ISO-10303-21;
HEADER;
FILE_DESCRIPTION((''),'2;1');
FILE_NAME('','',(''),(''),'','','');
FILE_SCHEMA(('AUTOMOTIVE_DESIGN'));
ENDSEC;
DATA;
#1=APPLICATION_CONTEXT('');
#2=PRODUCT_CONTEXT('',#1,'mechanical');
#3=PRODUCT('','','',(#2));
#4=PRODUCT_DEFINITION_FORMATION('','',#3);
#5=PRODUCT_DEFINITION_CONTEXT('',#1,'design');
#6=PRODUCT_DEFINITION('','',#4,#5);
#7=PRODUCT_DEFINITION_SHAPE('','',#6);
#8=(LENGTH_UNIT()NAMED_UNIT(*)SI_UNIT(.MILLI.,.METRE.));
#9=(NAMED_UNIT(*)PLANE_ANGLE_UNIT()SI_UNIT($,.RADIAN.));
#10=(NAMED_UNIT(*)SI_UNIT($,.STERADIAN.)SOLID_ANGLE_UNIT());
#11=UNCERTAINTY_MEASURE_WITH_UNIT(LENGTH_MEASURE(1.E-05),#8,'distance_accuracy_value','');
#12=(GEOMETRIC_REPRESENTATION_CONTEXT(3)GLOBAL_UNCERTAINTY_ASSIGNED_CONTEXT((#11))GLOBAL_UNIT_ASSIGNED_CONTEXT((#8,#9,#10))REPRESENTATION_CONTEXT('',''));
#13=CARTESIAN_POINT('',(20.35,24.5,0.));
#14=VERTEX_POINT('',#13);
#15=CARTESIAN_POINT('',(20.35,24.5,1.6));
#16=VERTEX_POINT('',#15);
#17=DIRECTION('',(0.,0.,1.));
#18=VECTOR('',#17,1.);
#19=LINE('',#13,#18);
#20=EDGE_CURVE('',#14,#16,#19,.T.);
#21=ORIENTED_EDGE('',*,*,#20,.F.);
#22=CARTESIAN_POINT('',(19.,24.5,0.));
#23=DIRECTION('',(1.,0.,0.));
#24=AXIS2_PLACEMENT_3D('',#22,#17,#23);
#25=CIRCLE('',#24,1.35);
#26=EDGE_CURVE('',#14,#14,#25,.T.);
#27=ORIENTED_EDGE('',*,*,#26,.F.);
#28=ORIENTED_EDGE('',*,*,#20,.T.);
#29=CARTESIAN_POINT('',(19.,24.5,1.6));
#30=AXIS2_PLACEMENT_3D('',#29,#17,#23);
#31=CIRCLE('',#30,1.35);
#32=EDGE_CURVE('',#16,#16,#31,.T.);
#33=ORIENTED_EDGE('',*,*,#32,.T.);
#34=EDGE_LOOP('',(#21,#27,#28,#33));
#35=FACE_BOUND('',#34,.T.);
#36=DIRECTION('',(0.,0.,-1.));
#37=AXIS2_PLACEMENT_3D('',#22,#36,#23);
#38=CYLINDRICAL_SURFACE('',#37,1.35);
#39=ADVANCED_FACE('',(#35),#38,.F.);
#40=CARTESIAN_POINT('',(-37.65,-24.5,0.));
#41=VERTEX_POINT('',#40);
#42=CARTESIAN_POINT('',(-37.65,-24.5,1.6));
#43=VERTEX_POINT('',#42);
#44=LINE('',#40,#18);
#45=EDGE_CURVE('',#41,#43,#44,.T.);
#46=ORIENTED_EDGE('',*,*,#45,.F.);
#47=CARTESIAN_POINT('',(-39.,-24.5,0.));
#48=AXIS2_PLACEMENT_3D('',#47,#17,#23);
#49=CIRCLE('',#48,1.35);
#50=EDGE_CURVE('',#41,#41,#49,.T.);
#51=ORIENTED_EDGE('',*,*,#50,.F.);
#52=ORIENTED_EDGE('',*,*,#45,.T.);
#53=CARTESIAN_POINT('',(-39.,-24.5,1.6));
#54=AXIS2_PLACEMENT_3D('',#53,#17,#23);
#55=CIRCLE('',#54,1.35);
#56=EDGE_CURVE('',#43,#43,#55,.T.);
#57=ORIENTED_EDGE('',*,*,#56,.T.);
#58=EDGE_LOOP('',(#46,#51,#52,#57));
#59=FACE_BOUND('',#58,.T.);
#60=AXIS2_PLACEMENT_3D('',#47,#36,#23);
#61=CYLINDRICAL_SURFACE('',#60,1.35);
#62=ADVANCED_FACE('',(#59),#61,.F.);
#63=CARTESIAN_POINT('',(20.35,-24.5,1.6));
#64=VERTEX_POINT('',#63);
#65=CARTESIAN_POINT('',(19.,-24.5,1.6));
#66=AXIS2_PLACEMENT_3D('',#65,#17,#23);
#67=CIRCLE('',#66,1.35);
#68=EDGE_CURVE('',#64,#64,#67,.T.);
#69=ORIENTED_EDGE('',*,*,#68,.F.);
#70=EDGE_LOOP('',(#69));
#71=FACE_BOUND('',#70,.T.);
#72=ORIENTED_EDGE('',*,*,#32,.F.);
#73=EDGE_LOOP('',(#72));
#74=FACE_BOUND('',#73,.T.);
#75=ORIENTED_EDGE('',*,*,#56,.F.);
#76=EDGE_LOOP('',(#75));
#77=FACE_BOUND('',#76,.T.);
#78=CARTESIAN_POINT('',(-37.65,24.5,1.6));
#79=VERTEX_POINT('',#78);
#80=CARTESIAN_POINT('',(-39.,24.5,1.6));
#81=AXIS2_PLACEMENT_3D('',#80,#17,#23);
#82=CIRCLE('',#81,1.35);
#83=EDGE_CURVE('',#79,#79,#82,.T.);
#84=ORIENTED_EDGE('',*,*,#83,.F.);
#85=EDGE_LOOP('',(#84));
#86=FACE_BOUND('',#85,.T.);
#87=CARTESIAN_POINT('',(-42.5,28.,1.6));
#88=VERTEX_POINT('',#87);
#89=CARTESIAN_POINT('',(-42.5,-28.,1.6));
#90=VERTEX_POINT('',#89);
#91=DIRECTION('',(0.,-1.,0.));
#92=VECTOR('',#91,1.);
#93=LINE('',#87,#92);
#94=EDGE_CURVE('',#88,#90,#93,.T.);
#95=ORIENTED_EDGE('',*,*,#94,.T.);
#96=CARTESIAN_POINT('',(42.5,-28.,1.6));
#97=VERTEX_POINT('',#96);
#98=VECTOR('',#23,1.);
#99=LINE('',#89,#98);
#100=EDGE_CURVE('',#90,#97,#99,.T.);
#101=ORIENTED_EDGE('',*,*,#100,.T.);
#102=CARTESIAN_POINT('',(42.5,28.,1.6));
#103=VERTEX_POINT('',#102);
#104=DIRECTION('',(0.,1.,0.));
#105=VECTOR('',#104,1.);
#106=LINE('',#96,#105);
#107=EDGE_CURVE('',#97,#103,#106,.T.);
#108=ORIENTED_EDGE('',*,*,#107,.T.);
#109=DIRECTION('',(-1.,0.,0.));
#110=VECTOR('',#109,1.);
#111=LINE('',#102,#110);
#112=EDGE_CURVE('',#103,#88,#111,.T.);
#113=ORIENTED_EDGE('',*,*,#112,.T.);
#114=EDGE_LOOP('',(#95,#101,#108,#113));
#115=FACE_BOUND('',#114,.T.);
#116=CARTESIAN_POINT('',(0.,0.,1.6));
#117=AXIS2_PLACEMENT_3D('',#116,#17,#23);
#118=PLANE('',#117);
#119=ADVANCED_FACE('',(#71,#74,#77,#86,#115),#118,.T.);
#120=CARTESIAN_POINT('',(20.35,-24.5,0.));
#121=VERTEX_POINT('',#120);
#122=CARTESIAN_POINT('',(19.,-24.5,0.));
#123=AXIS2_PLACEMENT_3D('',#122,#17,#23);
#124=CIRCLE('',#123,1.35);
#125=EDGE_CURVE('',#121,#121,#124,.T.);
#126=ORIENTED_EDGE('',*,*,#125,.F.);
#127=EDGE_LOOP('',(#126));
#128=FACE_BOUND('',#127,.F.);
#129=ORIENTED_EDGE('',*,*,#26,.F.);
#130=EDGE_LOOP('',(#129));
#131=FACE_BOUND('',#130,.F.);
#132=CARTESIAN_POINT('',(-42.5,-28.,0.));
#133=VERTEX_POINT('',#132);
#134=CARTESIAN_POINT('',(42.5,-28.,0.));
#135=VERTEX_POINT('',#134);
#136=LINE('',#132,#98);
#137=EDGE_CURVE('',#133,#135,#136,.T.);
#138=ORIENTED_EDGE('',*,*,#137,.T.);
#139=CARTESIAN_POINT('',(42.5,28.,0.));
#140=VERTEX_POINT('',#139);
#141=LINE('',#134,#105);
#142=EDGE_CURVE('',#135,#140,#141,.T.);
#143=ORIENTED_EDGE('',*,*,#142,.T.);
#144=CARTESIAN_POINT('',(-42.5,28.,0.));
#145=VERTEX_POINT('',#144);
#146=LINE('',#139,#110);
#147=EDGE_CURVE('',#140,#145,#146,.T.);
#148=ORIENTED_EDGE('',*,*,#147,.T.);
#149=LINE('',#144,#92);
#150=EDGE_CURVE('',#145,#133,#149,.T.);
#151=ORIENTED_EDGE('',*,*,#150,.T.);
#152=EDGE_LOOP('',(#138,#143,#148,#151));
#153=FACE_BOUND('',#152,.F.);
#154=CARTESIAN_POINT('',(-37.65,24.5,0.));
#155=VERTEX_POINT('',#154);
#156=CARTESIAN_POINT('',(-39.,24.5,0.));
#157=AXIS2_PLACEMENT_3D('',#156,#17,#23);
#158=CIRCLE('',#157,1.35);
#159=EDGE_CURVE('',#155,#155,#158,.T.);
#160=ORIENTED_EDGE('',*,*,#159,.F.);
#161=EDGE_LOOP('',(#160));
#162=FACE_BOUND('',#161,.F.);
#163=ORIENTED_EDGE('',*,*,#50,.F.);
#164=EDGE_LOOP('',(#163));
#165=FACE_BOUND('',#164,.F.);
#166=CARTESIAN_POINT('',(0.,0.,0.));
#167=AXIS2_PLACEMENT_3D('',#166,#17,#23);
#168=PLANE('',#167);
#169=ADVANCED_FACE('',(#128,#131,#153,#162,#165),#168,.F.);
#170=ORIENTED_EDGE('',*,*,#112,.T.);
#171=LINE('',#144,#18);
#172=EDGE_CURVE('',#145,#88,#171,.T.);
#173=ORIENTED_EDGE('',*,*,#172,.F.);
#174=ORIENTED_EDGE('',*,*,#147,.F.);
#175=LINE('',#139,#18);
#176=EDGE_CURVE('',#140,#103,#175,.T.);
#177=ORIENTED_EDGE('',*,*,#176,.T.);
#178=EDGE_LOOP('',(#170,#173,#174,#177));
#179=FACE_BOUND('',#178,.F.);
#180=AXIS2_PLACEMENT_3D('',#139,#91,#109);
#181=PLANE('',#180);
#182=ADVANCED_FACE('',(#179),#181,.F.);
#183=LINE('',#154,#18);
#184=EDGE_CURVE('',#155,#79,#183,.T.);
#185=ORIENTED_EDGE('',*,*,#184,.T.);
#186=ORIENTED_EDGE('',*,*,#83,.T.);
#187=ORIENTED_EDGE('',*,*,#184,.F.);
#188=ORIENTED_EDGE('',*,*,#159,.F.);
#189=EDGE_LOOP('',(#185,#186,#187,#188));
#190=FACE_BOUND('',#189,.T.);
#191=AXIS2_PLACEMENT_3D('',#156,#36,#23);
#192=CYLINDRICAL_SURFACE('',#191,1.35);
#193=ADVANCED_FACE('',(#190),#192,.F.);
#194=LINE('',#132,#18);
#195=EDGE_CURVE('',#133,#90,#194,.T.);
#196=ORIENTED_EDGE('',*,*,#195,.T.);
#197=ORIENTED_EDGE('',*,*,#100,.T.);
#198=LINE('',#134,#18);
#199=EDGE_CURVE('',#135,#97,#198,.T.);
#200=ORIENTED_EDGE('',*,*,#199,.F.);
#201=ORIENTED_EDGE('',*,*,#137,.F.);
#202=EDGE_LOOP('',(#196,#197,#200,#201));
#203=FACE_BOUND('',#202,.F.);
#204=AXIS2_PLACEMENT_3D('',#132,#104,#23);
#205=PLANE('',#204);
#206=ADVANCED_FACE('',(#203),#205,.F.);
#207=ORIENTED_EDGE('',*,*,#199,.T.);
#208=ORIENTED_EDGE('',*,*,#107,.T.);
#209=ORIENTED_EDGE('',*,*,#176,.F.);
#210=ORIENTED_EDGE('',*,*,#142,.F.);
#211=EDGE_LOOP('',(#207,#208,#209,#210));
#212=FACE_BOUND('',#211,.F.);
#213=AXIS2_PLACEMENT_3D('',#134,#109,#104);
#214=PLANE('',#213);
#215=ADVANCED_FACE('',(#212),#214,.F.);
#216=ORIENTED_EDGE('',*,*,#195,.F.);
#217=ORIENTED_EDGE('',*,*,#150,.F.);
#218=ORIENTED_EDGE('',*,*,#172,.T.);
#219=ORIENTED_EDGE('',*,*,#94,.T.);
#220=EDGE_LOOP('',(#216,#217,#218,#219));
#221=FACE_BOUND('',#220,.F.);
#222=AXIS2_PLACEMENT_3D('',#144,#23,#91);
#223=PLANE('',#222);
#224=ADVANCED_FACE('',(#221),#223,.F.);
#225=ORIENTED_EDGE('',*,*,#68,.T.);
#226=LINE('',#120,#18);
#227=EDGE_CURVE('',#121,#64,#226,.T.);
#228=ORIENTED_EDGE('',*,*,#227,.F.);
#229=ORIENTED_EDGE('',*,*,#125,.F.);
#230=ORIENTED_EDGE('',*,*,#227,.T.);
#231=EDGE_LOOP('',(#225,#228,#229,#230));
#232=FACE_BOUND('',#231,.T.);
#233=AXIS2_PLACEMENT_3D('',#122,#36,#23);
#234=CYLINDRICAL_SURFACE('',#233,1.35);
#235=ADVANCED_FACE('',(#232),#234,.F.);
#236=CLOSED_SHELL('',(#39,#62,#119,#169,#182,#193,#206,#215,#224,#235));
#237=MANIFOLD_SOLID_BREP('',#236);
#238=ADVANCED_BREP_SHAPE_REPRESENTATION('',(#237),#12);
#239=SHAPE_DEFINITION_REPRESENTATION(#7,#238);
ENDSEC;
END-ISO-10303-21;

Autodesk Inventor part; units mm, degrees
ref_plane "YZ Plane" through (0, 0, 0) normal (1, 0, 0) x (0, 1, 0)
ref_plane "XZ Plane" through (0, 0, 0) normal (0, 1, 0) x (-1, 0, 0)
ref_plane "XY Plane" through (0, 0, 0) normal (0, 0, 1) x (1, 0, 0)
sketch "스케치1" plane through (0, 0, 0) normal (0, 0, 1) x (1, 0, 0)
  line L0 (42.5, 28) -> (-42.5, 28)
  line L1 (-42.5, 28) -> (-42.5, -28)
  line L2 (-42.5, -28) -> (42.5, -28)
  line L3 (42.5, -28) -> (42.5, 28)
  line L4 (42.5, 28) -> (-42.5, -28) construction
  line L5 (-42.5, 28) -> (42.5, -28) construction
  line L6 (-72.7833, -24.5) -> (84.8355, -24.5) construction
  line L7 (-54.7439, 24.5) -> (74.9249, 24.5) construction
  line L8 (-39, 38.1575) -> (-39, -32.6978) construction
  line L9 (19, 25.9558) -> (19, -29.4685) construction
  circle A0 centre (-39, 24.5) radius 1.35
  circle A1 centre (19, 24.5) radius 1.35
  circle A2 centre (-39, -24.5) radius 1.35
  circle A3 centre (19, -24.5) radius 1.35
  point P0 (0, 0)
  dimension "d0" = 85
  dimension "d1" = 56
  dimension "d2" = 3.5
  dimension "d3" = 3.5
  dimension "d4" = 3.5
  dimension "d5" = 23.5
  dimension "d6" = 2.7
  dimension "d7" = 2.7
  dimension "d8" = 2.7
  dimension "d9" = 2.7
extrude "돌출1" add sketch "스케치1" along normal blind 1.6
properties part number "라즈베리파이"
